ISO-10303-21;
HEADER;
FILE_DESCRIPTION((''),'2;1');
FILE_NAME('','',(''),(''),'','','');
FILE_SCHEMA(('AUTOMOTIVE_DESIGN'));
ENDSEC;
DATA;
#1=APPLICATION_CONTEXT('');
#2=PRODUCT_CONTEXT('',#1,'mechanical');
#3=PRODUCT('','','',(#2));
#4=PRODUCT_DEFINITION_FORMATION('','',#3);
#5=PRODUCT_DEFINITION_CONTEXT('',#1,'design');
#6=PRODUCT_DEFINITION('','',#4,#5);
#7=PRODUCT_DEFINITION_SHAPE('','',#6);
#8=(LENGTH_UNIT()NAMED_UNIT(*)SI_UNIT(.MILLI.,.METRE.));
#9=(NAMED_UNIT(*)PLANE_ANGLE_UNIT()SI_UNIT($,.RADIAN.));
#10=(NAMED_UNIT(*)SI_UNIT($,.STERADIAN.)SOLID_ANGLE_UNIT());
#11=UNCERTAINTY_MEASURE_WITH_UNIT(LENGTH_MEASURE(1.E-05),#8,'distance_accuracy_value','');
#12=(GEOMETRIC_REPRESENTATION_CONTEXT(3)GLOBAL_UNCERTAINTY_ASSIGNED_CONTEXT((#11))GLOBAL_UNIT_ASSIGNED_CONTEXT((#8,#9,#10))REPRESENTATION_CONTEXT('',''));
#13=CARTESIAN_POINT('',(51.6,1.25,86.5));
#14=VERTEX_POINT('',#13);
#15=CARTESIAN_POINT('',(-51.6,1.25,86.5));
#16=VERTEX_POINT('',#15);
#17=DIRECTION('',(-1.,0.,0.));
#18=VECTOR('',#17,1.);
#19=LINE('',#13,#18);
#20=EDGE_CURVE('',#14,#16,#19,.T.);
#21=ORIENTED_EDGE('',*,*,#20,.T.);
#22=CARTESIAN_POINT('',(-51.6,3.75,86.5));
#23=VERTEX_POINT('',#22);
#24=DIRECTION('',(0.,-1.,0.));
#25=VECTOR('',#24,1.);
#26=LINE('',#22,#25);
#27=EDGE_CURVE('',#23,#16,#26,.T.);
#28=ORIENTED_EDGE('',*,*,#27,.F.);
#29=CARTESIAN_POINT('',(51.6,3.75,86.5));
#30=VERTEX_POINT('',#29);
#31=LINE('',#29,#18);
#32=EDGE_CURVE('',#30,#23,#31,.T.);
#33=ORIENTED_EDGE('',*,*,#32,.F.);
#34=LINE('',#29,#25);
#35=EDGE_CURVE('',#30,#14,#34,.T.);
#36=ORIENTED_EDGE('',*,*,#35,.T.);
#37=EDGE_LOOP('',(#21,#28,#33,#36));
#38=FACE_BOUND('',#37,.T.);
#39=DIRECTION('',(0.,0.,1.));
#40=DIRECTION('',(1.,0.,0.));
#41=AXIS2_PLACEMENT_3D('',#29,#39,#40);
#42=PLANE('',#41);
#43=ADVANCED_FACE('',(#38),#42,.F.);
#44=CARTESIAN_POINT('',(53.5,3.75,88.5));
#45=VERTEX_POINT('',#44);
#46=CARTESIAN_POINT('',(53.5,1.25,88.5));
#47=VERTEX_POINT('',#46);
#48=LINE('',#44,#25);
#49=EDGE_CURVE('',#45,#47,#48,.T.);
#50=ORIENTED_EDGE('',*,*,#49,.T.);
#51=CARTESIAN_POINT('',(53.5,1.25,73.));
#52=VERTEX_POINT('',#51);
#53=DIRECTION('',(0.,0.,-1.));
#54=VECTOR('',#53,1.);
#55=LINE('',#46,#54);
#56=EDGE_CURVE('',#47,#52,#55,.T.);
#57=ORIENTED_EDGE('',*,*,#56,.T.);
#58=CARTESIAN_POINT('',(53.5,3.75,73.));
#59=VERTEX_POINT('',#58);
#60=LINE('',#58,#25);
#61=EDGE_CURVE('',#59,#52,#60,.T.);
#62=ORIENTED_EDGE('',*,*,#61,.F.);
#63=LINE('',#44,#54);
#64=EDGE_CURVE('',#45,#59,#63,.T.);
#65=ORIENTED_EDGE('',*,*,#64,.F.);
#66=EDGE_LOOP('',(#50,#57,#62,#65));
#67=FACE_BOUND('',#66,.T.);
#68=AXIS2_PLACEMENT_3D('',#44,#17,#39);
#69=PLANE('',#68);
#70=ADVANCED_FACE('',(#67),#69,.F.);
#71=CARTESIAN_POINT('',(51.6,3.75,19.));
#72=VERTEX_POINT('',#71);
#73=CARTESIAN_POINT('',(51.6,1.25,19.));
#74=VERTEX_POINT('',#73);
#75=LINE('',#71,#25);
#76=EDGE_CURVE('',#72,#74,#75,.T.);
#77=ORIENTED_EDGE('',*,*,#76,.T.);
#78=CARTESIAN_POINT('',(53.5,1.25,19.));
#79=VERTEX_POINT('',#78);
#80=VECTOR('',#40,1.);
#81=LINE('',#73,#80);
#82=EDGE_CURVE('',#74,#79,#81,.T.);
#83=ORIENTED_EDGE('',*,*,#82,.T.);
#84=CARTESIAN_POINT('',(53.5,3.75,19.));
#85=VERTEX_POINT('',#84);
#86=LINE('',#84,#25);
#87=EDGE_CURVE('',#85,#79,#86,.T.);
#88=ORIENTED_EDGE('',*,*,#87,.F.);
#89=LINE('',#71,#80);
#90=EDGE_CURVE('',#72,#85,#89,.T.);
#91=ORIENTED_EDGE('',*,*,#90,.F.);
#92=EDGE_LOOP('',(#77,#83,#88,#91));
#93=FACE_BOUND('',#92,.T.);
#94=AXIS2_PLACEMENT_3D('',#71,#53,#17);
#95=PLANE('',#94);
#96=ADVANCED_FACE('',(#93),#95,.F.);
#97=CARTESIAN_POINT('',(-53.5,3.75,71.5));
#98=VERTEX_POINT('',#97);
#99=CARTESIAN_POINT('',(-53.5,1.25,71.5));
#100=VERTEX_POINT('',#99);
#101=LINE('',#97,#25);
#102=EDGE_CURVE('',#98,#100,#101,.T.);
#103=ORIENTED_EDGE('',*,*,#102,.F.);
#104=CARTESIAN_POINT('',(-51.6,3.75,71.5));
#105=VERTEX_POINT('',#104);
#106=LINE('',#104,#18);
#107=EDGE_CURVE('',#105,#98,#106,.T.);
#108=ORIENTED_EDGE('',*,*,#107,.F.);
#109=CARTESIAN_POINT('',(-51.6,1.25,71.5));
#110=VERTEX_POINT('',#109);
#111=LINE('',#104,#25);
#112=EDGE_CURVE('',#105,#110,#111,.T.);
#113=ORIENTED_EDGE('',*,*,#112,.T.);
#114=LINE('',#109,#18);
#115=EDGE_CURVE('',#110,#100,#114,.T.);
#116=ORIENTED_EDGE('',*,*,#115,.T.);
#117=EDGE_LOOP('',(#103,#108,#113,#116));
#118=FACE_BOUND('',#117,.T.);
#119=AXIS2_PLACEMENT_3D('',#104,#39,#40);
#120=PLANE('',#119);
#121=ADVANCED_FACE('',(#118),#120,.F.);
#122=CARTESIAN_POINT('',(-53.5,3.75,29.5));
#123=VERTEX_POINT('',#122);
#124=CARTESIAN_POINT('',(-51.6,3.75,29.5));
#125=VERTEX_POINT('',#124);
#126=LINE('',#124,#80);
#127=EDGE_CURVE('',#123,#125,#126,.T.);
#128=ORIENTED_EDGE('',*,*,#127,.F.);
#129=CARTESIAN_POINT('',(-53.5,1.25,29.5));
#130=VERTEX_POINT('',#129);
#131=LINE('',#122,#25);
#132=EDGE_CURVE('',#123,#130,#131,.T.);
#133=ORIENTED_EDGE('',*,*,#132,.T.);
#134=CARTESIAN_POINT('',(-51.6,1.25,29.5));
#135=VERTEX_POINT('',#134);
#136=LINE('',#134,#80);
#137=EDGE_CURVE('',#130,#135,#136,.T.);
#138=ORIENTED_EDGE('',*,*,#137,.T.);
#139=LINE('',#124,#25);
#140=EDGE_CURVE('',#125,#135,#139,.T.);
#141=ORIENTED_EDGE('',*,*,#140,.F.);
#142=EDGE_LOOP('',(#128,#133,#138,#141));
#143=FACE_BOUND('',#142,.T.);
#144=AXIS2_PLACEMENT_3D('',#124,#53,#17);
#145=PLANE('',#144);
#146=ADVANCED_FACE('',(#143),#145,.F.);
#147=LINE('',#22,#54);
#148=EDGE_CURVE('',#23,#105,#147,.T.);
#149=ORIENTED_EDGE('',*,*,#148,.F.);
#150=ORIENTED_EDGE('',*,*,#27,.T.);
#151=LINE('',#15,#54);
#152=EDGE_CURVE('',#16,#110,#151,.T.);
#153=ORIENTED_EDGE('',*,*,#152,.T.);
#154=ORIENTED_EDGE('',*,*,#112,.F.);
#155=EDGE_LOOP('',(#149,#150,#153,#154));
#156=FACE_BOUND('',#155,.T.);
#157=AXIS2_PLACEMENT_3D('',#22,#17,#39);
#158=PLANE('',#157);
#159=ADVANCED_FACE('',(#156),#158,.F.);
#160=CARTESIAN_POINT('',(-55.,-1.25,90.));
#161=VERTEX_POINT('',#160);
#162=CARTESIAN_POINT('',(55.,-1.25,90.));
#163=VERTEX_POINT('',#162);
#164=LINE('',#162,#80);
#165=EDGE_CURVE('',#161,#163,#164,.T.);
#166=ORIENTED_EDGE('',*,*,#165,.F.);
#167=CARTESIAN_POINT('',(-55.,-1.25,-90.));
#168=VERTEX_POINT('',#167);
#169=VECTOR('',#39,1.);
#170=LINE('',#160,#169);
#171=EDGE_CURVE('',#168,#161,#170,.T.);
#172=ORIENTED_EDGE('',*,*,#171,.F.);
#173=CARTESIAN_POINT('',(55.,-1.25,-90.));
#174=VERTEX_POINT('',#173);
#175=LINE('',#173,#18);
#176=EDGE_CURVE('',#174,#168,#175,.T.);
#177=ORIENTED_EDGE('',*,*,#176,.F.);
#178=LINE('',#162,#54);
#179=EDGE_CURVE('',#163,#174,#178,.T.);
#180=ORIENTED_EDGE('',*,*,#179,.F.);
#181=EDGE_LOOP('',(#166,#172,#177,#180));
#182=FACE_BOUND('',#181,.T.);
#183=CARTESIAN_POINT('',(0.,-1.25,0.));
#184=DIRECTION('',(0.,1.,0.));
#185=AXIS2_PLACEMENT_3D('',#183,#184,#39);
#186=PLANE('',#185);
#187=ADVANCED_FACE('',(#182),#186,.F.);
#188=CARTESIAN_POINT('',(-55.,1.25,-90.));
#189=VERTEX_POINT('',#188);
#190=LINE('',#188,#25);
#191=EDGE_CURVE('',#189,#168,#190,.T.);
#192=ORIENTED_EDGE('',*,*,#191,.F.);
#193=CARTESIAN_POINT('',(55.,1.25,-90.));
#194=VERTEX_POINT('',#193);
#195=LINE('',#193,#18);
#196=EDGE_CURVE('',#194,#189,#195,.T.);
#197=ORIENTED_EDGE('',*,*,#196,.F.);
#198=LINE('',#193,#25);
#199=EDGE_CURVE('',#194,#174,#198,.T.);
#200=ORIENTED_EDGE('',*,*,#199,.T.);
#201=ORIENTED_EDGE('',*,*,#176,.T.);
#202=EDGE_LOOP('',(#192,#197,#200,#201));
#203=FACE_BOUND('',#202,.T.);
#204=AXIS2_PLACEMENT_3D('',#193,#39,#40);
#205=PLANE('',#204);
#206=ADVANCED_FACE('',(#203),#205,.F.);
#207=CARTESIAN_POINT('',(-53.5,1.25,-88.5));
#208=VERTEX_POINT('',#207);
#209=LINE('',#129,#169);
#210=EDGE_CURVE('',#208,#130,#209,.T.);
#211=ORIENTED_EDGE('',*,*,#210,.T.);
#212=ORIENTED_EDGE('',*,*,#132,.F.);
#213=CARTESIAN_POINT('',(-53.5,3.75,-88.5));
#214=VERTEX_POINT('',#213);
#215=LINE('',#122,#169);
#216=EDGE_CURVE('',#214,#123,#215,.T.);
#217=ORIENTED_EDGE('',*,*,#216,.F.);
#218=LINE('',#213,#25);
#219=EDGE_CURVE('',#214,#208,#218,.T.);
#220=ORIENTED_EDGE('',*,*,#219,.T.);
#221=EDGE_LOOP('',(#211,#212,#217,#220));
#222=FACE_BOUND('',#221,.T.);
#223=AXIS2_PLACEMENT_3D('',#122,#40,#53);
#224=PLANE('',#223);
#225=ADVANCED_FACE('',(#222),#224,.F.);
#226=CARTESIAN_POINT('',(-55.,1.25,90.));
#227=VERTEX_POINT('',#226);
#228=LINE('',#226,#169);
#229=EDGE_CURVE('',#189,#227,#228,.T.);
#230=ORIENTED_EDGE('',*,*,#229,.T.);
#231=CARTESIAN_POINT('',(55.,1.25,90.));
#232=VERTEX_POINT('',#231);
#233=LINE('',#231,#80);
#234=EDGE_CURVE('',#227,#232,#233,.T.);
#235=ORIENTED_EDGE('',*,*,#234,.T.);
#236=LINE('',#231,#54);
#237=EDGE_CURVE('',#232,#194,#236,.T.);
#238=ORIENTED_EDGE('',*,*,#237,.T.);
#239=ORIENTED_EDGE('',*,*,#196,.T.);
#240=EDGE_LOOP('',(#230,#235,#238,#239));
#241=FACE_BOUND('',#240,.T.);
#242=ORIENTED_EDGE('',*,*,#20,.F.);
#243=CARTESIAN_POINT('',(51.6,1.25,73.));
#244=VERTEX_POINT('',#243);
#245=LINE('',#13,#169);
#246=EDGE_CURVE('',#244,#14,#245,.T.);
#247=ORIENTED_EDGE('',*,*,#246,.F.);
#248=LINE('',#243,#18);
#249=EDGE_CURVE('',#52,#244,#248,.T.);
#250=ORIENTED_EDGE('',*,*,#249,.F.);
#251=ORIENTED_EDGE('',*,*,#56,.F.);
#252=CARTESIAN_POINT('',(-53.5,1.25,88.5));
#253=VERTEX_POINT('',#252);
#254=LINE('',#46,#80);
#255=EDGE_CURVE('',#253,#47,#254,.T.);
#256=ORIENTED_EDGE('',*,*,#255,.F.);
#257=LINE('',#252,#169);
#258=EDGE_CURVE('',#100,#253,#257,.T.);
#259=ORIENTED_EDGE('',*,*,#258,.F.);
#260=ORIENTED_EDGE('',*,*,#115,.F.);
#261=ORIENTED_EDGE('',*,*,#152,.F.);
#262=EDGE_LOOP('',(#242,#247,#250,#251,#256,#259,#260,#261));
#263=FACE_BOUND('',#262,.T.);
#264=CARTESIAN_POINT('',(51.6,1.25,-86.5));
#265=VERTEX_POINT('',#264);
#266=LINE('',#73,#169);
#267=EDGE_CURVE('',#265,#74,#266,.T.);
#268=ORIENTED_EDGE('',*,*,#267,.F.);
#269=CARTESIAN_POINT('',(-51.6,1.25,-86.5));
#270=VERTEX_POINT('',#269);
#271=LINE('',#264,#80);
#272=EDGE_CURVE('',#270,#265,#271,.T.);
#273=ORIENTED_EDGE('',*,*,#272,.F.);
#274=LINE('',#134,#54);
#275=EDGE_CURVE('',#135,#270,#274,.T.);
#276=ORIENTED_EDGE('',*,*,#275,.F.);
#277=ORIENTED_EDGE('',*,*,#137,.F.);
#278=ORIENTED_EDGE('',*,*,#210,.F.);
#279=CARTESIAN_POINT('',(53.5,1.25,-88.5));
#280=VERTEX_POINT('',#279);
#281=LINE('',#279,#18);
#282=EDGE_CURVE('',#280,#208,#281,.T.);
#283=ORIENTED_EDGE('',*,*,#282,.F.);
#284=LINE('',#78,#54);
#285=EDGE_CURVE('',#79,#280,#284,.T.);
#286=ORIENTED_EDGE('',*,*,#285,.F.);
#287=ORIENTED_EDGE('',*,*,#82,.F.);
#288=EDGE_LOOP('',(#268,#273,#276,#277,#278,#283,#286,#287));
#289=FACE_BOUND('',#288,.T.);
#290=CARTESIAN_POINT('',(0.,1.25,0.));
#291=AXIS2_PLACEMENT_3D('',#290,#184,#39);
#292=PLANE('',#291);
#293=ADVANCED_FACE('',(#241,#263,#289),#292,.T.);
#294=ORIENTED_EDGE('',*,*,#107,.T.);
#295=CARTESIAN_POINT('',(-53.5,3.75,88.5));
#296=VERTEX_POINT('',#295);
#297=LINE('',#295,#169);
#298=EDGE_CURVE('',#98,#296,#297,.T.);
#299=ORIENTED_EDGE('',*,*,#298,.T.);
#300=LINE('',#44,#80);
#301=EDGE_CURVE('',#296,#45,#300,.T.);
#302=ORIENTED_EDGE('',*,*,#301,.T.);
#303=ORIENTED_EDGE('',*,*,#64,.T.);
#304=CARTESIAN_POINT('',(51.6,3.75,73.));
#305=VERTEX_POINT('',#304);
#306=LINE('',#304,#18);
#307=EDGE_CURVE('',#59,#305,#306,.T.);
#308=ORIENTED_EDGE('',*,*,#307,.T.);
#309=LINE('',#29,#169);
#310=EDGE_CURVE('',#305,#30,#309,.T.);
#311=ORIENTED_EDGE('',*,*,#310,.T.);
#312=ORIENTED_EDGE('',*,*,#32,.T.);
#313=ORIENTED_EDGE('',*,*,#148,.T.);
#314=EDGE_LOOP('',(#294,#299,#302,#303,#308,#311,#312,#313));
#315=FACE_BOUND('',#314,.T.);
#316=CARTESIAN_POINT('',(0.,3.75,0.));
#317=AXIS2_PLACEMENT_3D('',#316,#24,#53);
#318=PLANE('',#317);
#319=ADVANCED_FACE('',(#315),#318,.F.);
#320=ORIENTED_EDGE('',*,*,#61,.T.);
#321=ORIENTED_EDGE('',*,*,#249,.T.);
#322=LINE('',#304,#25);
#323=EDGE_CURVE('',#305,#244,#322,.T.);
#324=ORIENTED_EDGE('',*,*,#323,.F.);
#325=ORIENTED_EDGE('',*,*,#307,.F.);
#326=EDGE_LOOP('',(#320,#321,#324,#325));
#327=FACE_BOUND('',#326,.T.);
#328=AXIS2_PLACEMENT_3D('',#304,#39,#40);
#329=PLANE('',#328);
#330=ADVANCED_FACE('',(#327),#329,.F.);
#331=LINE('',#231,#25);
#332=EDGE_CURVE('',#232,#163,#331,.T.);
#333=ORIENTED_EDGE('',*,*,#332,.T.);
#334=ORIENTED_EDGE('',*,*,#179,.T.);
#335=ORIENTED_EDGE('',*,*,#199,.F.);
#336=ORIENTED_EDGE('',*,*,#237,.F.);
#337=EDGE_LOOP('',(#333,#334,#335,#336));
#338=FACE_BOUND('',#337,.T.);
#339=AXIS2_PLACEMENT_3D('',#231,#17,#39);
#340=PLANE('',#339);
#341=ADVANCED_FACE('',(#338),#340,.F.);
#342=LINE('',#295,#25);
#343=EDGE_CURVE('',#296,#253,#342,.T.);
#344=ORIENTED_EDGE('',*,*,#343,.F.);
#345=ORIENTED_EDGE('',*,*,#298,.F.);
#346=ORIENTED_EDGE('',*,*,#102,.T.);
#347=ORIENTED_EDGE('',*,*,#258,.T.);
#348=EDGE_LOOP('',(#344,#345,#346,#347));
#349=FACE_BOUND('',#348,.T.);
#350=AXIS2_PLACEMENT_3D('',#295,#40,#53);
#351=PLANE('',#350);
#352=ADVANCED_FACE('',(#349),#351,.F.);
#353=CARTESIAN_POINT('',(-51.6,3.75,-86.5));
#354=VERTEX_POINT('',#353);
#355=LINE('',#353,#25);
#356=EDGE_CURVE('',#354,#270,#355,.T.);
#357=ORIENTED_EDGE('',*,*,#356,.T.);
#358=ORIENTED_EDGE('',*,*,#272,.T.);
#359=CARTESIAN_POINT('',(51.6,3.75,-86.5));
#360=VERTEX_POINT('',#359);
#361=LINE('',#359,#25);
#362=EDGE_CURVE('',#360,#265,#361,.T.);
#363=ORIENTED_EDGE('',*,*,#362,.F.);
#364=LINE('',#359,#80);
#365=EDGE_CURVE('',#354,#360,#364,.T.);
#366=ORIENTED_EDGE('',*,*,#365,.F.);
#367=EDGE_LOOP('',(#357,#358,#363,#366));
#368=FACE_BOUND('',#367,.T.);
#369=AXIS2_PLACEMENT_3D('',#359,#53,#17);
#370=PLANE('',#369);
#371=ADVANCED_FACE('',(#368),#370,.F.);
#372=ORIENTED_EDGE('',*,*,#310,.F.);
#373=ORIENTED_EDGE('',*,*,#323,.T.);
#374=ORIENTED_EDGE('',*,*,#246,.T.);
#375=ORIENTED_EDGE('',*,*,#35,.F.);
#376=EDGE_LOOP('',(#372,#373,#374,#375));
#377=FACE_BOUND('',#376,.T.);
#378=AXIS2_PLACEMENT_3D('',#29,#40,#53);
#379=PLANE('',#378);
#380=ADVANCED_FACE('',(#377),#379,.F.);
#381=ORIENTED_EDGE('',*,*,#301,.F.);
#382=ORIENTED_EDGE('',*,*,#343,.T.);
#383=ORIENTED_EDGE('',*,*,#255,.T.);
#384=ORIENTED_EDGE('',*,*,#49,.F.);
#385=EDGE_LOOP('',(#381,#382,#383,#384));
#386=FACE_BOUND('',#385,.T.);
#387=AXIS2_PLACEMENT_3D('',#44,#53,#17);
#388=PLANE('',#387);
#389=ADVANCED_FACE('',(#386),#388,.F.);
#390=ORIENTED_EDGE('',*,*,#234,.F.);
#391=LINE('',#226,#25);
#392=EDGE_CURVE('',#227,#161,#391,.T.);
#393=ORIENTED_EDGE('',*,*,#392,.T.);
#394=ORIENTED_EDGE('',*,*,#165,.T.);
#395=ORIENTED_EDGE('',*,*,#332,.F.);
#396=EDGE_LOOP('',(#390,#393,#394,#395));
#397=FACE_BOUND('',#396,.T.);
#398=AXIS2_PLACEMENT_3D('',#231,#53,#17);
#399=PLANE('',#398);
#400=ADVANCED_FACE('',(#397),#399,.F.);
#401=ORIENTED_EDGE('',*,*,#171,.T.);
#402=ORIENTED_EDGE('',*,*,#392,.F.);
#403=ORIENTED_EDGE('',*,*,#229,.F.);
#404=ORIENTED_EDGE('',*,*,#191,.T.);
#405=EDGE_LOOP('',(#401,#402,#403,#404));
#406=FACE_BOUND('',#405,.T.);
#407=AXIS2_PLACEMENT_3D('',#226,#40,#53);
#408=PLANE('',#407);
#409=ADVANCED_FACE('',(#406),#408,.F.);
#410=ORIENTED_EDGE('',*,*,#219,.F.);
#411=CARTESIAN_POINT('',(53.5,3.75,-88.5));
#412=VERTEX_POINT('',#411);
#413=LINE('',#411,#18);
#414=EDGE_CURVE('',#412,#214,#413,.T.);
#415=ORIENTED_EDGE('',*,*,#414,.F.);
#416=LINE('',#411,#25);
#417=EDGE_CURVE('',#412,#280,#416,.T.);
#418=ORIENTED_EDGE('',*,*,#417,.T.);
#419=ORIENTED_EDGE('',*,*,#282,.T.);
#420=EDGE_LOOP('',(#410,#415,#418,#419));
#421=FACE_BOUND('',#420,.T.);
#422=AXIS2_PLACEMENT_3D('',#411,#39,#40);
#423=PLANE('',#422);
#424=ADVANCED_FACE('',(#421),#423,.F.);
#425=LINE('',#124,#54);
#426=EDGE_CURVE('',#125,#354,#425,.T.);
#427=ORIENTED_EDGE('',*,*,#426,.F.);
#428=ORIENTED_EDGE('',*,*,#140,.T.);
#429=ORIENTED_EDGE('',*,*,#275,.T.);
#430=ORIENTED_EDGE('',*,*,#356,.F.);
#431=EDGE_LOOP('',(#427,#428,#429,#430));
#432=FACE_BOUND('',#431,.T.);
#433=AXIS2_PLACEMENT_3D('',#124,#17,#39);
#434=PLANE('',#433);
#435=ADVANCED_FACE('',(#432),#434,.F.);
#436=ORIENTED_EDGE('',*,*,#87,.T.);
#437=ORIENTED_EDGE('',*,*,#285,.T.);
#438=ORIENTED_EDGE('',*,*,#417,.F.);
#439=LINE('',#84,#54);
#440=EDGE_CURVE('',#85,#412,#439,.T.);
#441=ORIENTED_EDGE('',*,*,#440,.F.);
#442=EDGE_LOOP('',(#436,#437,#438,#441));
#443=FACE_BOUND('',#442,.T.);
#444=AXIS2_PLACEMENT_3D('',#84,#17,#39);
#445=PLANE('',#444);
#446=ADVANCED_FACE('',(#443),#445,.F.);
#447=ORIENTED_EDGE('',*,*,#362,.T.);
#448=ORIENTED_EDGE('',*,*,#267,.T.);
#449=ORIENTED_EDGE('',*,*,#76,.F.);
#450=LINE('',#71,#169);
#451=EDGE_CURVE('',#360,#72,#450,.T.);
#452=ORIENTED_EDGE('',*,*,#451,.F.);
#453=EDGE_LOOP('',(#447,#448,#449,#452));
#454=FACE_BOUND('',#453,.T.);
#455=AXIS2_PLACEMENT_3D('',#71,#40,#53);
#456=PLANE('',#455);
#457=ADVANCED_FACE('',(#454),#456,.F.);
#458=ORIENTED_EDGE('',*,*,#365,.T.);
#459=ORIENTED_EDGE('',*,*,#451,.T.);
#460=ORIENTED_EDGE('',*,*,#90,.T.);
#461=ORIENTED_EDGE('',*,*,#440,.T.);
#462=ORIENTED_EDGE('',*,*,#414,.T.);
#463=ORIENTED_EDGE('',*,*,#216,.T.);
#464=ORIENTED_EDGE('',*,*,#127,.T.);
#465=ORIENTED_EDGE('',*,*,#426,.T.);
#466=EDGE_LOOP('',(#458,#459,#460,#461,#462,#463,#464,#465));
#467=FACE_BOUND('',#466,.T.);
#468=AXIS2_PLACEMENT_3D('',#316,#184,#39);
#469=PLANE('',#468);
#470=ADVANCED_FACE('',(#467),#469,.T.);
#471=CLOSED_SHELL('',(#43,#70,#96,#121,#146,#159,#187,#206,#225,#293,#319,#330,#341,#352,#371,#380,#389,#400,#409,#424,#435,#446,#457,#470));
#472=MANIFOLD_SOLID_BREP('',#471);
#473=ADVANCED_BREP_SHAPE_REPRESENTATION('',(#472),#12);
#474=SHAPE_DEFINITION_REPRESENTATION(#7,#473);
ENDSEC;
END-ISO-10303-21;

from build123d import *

# Parameters (mm, degrees)
SKETCH1_W           = 110
SKETCH1_H           = 180
BOSS_EXTRUDE1_DEPTH = 1.25
BOSS_EXTRUDE3_DEPTH = 2.5


with BuildPart() as part:
    # Sketch1 → Boss-Extrude1 (new, symmetric)
    with BuildSketch(Plane(origin=(0, 0, 0), x_dir=(1, 0, 0), z_dir=(0, 1, 0))):
        Rectangle(SKETCH1_W, SKETCH1_H)
    extrude(amount=BOSS_EXTRUDE1_DEPTH, both=True)

    # Sketch2 → Boss-Extrude3 (add)
    with BuildSketch(Plane(origin=(0, 1.25, 0), x_dir=(1, 0, 0), z_dir=(0, 1, 0))):
        Polygon((53.5, -88.5), (-53.5, -88.5), (-53.5, -71.5), (-51.6, -71.5), (-51.6, -86.5), (51.6, -86.5), (51.6, -73), (53.5, -73), align=None)
        Polygon((53.5, 88.5), (-53.5, 88.5), (-53.5, -29.5), (-51.6, -29.5), (-51.6, 86.5), (51.6, 86.5), (51.6, -19), (53.5, -19), align=None)
    extrude(amount=BOSS_EXTRUDE3_DEPTH)


solid = part.part
